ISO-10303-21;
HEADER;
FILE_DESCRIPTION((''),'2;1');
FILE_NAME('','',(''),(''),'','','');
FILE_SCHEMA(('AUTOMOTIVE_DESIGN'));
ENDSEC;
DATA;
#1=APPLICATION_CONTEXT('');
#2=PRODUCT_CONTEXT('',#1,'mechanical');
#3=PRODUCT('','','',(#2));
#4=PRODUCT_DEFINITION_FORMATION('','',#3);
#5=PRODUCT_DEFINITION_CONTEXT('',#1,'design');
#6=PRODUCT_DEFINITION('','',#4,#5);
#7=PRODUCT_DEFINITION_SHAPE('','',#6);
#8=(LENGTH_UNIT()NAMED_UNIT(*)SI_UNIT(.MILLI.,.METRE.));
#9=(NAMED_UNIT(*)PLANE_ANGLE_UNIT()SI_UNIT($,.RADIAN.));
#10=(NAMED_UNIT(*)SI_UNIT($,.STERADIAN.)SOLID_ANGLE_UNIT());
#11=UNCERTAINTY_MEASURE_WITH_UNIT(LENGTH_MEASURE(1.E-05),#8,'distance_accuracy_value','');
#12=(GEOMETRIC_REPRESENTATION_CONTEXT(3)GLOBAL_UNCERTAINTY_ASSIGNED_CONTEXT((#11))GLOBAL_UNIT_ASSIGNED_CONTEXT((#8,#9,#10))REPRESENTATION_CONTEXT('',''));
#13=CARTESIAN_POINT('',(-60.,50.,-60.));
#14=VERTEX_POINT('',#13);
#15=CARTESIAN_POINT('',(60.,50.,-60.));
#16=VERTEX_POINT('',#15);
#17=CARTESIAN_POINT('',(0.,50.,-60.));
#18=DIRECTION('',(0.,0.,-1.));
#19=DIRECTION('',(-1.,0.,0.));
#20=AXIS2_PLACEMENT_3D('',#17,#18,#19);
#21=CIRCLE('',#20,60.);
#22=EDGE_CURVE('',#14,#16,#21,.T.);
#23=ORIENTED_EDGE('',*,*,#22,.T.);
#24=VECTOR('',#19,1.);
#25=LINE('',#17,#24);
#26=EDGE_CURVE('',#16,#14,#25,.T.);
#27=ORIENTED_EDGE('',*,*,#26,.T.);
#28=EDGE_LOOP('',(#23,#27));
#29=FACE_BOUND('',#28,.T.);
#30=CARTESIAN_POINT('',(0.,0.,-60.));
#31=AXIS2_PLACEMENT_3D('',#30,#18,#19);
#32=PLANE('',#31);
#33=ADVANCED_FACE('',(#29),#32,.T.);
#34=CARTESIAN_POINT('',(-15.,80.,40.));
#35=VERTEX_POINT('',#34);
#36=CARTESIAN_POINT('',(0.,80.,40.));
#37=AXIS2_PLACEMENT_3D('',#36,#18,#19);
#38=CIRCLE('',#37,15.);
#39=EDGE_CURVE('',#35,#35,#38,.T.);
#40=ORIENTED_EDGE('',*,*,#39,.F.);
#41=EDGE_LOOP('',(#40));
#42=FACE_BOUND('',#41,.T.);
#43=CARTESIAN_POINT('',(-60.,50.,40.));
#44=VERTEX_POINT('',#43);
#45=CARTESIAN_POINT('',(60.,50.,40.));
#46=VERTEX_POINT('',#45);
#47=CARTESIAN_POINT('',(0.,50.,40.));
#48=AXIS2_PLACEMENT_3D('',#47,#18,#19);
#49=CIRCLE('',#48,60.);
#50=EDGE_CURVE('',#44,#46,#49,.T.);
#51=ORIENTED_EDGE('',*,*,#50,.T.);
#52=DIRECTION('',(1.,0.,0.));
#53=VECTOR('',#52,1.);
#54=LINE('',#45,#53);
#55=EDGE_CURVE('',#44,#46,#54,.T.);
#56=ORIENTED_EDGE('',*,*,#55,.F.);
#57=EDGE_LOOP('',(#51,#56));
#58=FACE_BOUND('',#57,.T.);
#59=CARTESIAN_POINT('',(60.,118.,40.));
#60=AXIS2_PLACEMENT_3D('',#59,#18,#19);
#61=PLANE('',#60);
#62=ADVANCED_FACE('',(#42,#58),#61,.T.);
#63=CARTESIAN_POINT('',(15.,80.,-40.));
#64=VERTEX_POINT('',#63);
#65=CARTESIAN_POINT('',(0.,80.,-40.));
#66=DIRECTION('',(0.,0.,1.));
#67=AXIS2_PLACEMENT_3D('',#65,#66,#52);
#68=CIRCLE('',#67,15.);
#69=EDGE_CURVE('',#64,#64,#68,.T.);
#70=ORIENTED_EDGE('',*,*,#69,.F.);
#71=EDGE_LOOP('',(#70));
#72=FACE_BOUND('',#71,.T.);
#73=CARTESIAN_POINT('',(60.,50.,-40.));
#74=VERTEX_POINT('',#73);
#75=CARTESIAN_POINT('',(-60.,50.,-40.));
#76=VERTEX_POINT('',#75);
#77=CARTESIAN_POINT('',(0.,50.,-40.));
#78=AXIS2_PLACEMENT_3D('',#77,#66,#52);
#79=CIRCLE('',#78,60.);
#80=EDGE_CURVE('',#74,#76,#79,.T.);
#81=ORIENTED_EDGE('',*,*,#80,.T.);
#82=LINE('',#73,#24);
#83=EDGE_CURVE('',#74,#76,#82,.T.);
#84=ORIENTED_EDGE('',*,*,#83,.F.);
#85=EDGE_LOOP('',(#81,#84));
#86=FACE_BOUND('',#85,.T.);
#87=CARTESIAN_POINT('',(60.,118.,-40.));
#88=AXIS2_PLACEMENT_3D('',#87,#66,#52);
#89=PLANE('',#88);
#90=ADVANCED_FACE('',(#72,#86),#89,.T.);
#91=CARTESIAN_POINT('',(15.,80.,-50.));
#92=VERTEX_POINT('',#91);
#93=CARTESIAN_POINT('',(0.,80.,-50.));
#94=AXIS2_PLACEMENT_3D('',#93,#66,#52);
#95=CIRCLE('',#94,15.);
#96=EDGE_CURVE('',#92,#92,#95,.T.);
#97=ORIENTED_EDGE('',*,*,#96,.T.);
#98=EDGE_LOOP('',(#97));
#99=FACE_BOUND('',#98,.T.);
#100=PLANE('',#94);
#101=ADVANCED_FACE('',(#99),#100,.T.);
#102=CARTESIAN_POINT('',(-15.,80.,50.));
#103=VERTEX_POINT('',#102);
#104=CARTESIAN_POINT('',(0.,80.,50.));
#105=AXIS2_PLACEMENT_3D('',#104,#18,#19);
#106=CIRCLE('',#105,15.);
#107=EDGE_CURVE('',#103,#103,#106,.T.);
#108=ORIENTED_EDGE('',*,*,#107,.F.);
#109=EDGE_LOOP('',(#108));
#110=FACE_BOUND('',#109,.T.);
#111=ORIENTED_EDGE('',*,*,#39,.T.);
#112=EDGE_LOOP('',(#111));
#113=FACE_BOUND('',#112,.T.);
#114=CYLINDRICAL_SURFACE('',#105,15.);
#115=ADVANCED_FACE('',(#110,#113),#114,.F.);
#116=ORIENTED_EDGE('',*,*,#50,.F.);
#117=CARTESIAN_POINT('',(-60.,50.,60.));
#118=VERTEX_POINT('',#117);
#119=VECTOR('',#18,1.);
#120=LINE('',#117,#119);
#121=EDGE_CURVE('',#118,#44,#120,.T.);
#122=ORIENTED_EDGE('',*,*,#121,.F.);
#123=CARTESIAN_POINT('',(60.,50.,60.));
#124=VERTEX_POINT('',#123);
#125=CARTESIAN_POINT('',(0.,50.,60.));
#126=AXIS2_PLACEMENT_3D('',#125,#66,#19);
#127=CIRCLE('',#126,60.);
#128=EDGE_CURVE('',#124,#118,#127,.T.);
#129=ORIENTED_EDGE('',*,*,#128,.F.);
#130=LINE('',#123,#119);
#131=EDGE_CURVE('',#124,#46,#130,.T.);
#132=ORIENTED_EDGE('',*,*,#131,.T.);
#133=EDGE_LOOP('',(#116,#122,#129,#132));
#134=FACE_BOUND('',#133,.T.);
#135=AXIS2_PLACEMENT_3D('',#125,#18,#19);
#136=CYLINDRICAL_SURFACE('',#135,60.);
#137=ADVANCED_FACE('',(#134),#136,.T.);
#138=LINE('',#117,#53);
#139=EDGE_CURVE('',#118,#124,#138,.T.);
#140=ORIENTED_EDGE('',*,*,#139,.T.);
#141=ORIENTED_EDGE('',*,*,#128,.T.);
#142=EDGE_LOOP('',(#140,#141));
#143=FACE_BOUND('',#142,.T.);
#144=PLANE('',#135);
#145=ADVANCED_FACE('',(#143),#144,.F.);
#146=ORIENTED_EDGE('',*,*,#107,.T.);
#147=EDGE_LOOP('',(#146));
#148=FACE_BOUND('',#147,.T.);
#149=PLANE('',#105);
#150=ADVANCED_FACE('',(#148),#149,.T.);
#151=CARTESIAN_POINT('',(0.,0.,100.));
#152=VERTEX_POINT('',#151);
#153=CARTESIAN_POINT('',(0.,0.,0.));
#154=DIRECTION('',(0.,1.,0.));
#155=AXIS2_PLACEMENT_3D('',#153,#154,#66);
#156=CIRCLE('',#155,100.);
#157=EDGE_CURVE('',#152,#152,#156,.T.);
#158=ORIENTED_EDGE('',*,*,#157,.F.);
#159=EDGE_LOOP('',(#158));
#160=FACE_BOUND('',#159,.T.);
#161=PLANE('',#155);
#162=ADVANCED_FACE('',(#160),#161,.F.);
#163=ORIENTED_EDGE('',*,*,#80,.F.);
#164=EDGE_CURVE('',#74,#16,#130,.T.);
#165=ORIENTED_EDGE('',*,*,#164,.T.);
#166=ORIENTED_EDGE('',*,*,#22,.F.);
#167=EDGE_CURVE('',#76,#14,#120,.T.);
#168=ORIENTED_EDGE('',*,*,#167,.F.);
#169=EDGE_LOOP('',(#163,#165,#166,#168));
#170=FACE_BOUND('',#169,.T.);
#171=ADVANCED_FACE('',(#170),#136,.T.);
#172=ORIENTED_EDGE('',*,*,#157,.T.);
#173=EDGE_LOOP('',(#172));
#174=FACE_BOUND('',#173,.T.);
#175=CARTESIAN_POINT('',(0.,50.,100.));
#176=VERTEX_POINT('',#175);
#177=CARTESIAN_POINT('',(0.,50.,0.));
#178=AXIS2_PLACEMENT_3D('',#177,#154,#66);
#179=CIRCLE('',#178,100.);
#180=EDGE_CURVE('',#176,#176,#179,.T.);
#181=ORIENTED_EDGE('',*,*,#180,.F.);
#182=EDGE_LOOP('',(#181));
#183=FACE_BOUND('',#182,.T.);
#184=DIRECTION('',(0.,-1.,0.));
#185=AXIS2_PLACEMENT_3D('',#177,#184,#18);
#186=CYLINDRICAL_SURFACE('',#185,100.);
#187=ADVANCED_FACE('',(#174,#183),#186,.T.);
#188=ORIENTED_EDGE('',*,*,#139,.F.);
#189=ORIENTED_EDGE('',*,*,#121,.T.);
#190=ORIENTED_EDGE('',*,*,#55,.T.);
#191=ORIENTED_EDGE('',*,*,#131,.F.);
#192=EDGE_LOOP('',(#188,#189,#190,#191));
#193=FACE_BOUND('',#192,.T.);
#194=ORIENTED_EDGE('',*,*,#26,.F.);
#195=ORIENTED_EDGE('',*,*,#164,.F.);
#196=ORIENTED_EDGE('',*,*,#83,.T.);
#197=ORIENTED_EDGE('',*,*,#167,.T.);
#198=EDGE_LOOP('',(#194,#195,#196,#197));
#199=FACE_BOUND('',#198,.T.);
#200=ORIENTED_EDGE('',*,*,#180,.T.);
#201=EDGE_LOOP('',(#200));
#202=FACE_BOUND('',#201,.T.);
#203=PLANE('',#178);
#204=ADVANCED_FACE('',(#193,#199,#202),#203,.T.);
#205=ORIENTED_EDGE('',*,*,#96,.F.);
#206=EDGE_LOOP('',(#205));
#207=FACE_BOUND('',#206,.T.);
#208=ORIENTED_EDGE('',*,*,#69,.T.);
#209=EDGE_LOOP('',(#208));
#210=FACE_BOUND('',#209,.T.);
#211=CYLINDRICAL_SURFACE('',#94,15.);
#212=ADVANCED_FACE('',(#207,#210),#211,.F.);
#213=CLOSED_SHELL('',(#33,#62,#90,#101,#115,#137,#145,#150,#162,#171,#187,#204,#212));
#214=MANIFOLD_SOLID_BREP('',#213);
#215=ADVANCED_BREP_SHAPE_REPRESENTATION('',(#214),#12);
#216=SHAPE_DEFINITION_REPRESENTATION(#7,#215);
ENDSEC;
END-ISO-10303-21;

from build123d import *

# Parameters (mm, degrees)
SKETCH1_R           = 100
BOSS_EXTRUDE1_DEPTH = 50
BOSS_EXTRUDE2_DEPTH = 60
BOSS_EXTRUDE4_DEPTH = 60
SKETCH9_W           = 120
SKETCH9_H           = 80
CUT_EXTRUDE1_DEPTH  = 68
SKETCH15_R          = 15
CUT_EXTRUDE3_DEPTH  = 10
SKETCH19_R          = 15
CUT_EXTRUDE4_DEPTH  = 10


with BuildPart() as part:
    # Sketch1 → Boss-Extrude1 (new body)
    with BuildSketch(Plane(origin=(0, 0, 0), x_dir=(1, 0, 0), z_dir=(0, 1, 0))):
        Circle(SKETCH1_R)
    extrude(amount=BOSS_EXTRUDE1_DEPTH)

    # Sketch2 → Boss-Extrude2 (add)
    with BuildSketch(Plane.XY):
        with BuildLine():
            Line((-60, 50), (0, 50))
            Line((0, 50), (60, 50))
            ThreePointArc((60, 50), (0, 110), (-60, 50))
        make_face()
    extrude(amount=BOSS_EXTRUDE2_DEPTH)

    # Sketch6 → Boss-Extrude4 (add)
    with BuildSketch(Plane(origin=(0, 0, 0), x_dir=(-1, 0, 0), z_dir=(0, 0, -1))):
        with BuildLine():
            Line((-60, 50), (60, 50))
            ThreePointArc((60, 50), (0, 110), (-60, 50))
        make_face()
    extrude(amount=BOSS_EXTRUDE4_DEPTH)

    # Sketch9 → Cut-Extrude1 (cut)
    with BuildSketch(Plane(origin=(0, 50, 0), x_dir=(1, 0, 0), z_dir=(0, 1, 0))):
        Rectangle(SKETCH9_W, SKETCH9_H)
    extrude(amount=CUT_EXTRUDE1_DEPTH, mode=Mode.SUBTRACT)

    # Sketch15 → Cut-Extrude3 (cut)
    with BuildSketch(Plane(origin=(0, 0, 40), x_dir=(-1, 0, 0), z_dir=(0, 0, -1))):
        with Locations((0, 80)):
            Circle(SKETCH15_R)
    extrude(amount=-CUT_EXTRUDE3_DEPTH, mode=Mode.SUBTRACT)

    # Sketch19 → Cut-Extrude4 (cut)
    with BuildSketch(Plane.XY.offset(-40)):
        with Locations((0, 80)):
            Circle(SKETCH19_R)
    extrude(amount=-CUT_EXTRUDE4_DEPTH, mode=Mode.SUBTRACT)


solid = part.part
